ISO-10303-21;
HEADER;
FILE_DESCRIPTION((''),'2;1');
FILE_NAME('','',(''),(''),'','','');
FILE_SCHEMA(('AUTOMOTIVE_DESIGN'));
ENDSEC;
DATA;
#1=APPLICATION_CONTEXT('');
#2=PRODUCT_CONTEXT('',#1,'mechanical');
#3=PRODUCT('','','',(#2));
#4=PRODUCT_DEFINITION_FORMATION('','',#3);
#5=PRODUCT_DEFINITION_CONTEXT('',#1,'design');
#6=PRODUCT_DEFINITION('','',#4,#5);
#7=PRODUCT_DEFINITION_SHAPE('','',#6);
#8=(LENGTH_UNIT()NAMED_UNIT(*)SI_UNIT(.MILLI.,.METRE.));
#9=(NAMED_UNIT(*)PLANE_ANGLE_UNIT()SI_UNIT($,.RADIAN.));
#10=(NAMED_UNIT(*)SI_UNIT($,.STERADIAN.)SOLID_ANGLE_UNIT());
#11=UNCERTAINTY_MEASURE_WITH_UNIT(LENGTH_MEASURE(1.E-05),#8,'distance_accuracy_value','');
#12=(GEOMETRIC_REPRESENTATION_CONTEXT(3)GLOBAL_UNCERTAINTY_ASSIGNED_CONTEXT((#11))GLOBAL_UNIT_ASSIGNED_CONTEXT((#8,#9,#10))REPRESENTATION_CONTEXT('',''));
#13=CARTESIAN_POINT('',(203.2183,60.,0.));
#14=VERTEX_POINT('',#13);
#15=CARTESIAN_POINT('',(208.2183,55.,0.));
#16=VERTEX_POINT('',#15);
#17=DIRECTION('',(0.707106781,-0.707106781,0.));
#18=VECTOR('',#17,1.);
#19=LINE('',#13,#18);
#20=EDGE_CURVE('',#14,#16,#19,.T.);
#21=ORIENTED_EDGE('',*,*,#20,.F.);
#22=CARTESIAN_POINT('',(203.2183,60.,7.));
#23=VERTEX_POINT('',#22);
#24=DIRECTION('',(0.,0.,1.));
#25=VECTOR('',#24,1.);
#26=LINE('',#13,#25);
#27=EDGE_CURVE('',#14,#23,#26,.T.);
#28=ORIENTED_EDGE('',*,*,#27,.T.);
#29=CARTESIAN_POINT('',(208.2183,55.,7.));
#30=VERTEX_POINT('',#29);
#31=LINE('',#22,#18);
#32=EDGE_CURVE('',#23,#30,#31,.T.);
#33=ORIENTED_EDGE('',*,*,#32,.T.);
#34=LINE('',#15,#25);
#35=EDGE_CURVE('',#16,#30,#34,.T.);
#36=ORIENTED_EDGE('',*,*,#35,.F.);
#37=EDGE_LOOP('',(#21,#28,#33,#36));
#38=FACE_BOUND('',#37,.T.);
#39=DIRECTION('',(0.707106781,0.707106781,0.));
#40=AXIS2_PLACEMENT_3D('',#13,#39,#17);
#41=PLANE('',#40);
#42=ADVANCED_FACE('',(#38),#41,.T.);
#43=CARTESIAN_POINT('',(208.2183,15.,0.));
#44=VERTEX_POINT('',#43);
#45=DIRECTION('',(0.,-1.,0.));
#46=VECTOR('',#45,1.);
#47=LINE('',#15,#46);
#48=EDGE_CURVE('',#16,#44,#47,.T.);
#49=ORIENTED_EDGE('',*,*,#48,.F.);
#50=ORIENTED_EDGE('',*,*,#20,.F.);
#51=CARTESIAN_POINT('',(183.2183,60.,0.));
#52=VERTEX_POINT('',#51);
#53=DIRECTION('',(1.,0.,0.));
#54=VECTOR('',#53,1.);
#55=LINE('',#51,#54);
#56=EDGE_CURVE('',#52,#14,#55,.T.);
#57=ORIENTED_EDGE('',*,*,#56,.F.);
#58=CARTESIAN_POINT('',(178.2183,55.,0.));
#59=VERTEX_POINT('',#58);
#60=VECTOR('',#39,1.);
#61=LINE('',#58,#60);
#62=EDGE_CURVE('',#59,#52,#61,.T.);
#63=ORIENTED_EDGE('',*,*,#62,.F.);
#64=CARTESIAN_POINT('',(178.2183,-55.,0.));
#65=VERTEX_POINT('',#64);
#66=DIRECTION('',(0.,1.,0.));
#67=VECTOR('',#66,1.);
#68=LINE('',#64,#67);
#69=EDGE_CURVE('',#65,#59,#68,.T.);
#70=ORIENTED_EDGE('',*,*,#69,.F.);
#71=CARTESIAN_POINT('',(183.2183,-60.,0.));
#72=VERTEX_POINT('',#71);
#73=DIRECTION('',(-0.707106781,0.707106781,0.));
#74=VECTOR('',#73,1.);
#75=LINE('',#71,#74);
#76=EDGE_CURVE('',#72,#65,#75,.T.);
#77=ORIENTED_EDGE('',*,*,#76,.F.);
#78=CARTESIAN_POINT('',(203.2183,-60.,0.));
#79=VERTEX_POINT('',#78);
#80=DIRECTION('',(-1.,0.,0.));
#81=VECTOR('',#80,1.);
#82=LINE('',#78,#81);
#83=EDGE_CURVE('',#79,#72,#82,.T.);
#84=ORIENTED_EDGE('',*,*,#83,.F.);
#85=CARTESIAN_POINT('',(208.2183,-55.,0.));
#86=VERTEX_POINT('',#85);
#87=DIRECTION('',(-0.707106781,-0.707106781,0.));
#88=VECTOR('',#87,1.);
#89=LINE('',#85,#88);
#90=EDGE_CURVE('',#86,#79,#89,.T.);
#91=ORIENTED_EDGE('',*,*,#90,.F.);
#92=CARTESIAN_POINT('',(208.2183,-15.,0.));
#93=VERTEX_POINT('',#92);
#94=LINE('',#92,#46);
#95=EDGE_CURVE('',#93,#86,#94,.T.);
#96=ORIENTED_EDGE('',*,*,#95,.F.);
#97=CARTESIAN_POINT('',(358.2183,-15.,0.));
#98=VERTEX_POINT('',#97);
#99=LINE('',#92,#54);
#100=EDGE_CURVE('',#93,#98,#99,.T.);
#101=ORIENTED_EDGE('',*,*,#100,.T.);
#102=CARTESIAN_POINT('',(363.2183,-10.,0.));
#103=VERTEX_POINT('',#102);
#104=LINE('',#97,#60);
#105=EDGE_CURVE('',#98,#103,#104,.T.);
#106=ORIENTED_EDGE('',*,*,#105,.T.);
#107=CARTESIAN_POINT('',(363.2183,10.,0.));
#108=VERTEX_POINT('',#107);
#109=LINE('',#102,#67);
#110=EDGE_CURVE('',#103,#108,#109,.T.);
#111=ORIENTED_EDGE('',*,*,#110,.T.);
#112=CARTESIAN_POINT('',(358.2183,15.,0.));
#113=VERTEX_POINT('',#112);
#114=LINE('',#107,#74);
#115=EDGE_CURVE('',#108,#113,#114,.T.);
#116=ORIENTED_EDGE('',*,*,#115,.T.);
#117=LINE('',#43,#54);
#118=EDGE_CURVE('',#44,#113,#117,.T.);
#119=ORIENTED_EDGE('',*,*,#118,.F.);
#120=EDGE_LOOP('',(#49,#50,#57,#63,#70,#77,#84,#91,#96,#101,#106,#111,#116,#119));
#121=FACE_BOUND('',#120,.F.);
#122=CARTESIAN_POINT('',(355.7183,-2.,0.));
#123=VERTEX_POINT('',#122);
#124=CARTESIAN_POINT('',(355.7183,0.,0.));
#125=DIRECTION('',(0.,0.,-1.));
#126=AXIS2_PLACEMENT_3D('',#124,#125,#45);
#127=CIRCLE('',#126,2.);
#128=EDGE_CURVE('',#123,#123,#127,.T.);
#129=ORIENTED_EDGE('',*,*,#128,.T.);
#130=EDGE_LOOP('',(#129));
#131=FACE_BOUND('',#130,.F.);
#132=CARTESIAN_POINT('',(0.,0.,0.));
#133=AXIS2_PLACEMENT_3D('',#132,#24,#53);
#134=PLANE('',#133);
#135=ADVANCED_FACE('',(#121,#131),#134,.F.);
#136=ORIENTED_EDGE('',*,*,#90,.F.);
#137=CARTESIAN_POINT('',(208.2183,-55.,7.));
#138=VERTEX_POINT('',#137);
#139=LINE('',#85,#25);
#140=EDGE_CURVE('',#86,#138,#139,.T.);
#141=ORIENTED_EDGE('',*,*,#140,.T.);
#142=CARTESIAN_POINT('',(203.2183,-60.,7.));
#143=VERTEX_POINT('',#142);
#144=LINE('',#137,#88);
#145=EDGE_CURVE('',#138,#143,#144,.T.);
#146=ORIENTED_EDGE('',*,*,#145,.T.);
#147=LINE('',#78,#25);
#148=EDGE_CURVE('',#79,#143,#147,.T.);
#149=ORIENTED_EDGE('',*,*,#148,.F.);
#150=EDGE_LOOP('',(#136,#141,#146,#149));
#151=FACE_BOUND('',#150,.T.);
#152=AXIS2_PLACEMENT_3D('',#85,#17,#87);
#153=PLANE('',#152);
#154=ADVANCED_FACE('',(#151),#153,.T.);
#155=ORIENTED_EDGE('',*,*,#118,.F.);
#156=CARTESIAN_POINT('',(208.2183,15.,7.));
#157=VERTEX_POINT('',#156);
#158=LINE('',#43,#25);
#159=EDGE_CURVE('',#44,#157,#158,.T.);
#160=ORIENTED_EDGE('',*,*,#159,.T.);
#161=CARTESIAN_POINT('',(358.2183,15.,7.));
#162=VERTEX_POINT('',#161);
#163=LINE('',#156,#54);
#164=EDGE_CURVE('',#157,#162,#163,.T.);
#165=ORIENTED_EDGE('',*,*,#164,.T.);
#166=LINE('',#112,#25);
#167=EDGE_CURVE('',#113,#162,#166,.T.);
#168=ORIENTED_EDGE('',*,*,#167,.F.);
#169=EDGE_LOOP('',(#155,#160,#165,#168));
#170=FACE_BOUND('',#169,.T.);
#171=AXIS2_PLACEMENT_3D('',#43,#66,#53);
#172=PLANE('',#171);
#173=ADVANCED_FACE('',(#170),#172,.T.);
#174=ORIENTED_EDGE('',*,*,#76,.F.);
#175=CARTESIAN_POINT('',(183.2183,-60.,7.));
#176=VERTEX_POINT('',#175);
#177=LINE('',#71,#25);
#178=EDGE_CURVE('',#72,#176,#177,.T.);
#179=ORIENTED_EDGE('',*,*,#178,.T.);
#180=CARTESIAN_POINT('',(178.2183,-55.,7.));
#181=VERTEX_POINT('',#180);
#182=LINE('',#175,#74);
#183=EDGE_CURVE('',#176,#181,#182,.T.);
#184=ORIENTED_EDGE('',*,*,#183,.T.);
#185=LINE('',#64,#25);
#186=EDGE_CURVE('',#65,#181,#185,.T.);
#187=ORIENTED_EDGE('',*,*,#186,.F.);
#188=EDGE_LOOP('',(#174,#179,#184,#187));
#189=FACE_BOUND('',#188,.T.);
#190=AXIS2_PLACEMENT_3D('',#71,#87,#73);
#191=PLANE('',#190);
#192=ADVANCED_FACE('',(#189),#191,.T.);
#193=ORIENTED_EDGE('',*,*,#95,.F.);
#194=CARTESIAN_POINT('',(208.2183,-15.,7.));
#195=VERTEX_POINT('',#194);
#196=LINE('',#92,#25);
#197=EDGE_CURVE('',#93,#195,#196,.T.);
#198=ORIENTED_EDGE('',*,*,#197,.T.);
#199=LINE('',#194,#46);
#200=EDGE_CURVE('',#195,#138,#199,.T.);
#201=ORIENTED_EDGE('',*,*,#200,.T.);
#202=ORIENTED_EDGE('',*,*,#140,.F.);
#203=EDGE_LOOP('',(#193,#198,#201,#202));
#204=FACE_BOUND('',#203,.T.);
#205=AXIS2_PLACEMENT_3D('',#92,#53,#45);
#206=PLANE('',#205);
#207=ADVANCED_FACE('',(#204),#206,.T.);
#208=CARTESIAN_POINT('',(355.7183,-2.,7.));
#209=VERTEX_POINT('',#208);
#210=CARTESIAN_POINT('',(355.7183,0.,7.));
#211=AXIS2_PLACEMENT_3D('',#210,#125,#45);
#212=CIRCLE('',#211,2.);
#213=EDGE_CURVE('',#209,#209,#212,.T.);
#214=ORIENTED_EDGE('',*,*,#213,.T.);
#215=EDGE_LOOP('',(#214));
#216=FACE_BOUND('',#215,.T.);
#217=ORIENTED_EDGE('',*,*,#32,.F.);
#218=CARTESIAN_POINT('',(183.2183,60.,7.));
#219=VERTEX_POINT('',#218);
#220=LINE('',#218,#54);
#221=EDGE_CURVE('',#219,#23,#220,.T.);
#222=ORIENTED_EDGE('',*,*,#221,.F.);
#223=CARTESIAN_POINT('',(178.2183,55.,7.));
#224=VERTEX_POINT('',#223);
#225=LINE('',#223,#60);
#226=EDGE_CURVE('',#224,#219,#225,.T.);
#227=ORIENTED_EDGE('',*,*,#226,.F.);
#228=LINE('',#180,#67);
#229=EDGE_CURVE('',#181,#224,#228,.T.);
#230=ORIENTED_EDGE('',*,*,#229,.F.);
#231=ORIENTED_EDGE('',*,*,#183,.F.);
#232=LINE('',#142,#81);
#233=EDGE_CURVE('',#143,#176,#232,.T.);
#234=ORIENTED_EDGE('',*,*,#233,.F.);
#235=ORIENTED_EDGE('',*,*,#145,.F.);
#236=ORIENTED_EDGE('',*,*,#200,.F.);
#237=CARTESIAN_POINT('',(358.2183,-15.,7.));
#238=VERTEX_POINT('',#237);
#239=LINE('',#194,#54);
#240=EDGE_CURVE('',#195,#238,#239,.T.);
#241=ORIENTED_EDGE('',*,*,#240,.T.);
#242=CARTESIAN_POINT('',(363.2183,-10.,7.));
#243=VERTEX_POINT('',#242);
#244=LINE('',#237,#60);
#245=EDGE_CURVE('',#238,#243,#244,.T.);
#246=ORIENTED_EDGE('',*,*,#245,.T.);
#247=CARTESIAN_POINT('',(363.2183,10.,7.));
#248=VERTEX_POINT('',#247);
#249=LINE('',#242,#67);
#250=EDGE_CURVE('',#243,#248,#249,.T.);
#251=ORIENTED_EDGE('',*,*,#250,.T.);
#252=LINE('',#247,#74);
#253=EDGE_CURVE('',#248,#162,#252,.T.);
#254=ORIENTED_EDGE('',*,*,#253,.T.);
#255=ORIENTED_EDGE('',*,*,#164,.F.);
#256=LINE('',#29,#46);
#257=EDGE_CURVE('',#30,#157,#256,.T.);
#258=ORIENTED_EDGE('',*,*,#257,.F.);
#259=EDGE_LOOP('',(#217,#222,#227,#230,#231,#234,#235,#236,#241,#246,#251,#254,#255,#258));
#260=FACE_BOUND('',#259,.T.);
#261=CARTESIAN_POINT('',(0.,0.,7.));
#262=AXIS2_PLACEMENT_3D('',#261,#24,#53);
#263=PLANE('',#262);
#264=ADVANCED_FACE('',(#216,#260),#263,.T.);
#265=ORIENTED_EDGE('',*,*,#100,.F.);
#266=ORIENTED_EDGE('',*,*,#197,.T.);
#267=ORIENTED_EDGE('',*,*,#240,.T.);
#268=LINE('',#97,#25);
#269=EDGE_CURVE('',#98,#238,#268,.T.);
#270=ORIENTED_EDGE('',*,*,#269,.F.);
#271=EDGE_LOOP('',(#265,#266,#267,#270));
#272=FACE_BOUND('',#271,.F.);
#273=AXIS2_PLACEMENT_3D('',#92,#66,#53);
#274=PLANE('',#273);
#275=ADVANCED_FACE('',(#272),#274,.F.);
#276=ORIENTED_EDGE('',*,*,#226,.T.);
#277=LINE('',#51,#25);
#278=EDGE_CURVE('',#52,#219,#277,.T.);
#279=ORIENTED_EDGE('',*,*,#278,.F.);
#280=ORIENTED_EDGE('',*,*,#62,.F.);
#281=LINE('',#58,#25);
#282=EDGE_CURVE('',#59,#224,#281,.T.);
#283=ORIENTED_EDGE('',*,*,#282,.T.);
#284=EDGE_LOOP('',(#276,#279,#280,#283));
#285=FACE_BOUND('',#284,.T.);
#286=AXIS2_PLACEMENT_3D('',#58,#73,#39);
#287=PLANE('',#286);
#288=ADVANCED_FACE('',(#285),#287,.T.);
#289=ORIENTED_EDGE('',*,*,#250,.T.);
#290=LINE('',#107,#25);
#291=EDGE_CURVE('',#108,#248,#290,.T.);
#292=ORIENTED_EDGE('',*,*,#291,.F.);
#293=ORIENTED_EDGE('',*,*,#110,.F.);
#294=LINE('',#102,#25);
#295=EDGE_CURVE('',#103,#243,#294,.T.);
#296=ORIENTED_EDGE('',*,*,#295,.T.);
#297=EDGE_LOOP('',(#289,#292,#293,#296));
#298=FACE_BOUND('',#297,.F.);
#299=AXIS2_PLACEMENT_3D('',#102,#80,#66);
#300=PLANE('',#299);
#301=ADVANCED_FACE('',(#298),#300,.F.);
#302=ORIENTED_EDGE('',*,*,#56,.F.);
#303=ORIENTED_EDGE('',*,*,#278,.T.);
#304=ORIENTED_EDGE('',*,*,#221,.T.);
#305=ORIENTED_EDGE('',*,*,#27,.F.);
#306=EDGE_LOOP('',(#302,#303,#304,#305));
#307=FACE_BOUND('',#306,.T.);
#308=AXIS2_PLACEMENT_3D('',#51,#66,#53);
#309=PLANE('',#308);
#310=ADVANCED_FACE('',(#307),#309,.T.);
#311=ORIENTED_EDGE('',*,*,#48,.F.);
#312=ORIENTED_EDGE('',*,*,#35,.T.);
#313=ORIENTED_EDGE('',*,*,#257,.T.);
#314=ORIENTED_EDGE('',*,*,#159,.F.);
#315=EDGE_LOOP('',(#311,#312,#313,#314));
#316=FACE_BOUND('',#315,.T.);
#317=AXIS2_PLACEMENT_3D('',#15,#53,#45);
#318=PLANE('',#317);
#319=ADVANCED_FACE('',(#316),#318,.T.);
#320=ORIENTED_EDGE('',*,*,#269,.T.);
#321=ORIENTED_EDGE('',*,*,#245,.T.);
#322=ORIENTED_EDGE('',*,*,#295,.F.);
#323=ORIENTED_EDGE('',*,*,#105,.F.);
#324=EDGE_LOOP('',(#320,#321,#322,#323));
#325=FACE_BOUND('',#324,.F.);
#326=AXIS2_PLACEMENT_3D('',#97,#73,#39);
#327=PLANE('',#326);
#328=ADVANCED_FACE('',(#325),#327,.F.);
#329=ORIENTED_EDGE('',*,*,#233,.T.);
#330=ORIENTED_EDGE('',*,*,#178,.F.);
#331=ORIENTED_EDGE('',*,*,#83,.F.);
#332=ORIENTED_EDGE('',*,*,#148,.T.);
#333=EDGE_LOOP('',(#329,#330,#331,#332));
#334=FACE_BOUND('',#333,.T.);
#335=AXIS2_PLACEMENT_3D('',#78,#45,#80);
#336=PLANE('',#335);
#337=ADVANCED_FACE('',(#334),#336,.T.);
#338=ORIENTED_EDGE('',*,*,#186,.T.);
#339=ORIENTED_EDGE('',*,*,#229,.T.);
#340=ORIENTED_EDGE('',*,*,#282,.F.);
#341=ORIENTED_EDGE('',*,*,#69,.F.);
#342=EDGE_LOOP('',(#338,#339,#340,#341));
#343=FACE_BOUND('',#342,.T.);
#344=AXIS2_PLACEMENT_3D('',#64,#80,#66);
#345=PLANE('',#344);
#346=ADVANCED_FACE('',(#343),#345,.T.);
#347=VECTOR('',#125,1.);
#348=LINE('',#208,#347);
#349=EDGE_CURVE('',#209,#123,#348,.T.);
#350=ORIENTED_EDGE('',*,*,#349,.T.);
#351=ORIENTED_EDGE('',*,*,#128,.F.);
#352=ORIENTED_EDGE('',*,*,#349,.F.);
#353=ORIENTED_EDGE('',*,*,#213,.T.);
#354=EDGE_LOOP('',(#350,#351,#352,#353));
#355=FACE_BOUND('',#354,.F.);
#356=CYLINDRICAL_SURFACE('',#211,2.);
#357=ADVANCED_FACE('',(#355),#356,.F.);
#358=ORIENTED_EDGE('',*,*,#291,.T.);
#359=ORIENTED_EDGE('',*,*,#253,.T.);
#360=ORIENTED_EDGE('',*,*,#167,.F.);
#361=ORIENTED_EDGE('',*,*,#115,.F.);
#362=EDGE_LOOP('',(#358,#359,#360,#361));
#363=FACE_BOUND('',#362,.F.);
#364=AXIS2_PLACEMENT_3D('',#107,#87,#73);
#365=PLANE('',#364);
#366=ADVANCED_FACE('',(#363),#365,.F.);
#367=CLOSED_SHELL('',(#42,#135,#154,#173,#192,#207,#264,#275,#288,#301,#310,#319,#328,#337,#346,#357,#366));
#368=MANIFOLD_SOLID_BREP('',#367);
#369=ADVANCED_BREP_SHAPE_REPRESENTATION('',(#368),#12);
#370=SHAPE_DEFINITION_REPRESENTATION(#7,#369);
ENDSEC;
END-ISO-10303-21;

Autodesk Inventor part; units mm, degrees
ref_plane "YZ Plane" through (0, 0, 0) normal (1, 0, 0) x (0, 1, 0)
ref_plane "XZ Plane" through (0, 0, 0) normal (0, 1, 0) x (-1, 0, 0)
ref_plane "XY Plane" through (0, 0, 0) normal (0, 0, 1) x (1, 0, 0)
sketch "Sketch1" plane through (0, 0, 0) normal (0, 0, 1) x (1, 0, 0)
  line L0 (100, -75) -> (100, -15) projected
  line L1 (100, 75) -> (-100, 75) projected
  line L2 (-100, 75) -> (-100, -75) projected
  line L3 (-100, -75) -> (100, -75) projected
  arc A0 (-85, -15) -> (-85, 15) centre (-85, 0) ccw projected
  line L4 (-85, 15) -> (-85, 60) projected
  line L5 (-85, 60) -> (85, 60) projected
  line L6 (85, -15) -> (85, -60) projected
  line L7 (85, -60) -> (-85, -60) projected
  line L8 (-85, -60) -> (-85, -15) projected
  line L9 (183.2183, 60) -> (203.2183, 60)
  line L10 (203.2183, -60) -> (183.2183, -60)
  line L11 (178.2183, -55) -> (178.2183, 55)
  line L12 (208.2183, 0) -> (358.2183, 0) construction
  line L13 (208.2183, 15) -> (358.2183, 15)
  line L14 (208.2183, -15) -> (358.2183, -15)
  line L15 (363.2183, -10) -> (363.2183, 10)
  line L16 (208.2183, 55) -> (208.2183, 15)
  line L17 (208.2183, -15) -> (208.2183, -55)
  line L18 (85, 60) -> (85, 15) projected
  line L19 (85, 15) -> (100, 15) projected
  line L20 (100, 15) -> (100, 75) projected
  line L21 (100, -15) -> (85, -15) projected
  line L22 (358.2183, -15) -> (363.2183, -10)
  line L23 (363.2183, 10) -> (358.2183, 15)
  line L24 (178.2183, 55) -> (183.2183, 60)
  line L25 (203.2183, 60) -> (208.2183, 55)
  line L26 (208.2183, -55) -> (203.2183, -60)
  line L27 (183.2183, -60) -> (178.2183, -55)
  point P0 (0, 0)
  point P1 (178.2183, 60)
  point P2 (208.2183, -60)
  point P3 (208.2183, 60)
  point P4 (178.2183, -60)
  point P5 (363.2183, 15)
  point P6 (363.2183, -15)
  point P7 (1.2343, 60)
  point P8 (-28.7657, -60)
  point P9 (-3.7657, -60)
  point P10 (-23.7657, -60)
  point P11 (-23.7657, 60)
  point P12 (-3.7657, 60)
  dimension "d0" = 30
  dimension "d1" = 150
  dimension "d2" = 15
  dimension "d3" = 15
  dimension "d6" = 185
  dimension "d7" = 30
  dimension "d8" = 45
  dimension "d9" = 5
  dimension "d10" = 5
  dimension "d11" = 5
  dimension "d12" = 5
  dimension "d13" = 5
  dimension "d14" = 5
  dimension "d15" = 5
  dimension "d16" = 5
  dimension "d17" = 5
  dimension "d18" = 5
  dimension "d19" = 5
  dimension "d20" = 5
extrude "Extrusion1" add sketch "Sketch1" along normal blind 7 contours L9 L25 L16 L13 L23 L15 L22 L14 L17 L26 L10 L27 L11 L24
sketch "Sketch2" plane through (0, 0, 7) normal (0, 0, 1) x (1, 0, 0)
  line L0 (363.2183, -10) -> (363.2183, 10) projected
  point P0 (0, 0)
  point P1 (355.7183, 0)
  dimension "d21" = 7.5
hole "Hole1" at (355.7183, 0, 7) direction (0, 0, -1) diameter 4 end through all
equation "\"d1\" = lPiston"
equation "\"d10\" = d9"
equation "\"d11\" = d9"
equation "\"d12\" = d11"
equation "\"d13\" = d9"
equation "\"d14\" = d13"
equation "\"d15\" = d9"
equation "\"d16\" = d15"
equation "\"d17\" = d9"
equation "\"d18\" = d17"
equation "\"d19\" = d9"
equation "\"d20\" = d19"
equation "\"lPiston\" = 150"
properties part number "Piston" material "MDF Medium Density Fiberboard"
